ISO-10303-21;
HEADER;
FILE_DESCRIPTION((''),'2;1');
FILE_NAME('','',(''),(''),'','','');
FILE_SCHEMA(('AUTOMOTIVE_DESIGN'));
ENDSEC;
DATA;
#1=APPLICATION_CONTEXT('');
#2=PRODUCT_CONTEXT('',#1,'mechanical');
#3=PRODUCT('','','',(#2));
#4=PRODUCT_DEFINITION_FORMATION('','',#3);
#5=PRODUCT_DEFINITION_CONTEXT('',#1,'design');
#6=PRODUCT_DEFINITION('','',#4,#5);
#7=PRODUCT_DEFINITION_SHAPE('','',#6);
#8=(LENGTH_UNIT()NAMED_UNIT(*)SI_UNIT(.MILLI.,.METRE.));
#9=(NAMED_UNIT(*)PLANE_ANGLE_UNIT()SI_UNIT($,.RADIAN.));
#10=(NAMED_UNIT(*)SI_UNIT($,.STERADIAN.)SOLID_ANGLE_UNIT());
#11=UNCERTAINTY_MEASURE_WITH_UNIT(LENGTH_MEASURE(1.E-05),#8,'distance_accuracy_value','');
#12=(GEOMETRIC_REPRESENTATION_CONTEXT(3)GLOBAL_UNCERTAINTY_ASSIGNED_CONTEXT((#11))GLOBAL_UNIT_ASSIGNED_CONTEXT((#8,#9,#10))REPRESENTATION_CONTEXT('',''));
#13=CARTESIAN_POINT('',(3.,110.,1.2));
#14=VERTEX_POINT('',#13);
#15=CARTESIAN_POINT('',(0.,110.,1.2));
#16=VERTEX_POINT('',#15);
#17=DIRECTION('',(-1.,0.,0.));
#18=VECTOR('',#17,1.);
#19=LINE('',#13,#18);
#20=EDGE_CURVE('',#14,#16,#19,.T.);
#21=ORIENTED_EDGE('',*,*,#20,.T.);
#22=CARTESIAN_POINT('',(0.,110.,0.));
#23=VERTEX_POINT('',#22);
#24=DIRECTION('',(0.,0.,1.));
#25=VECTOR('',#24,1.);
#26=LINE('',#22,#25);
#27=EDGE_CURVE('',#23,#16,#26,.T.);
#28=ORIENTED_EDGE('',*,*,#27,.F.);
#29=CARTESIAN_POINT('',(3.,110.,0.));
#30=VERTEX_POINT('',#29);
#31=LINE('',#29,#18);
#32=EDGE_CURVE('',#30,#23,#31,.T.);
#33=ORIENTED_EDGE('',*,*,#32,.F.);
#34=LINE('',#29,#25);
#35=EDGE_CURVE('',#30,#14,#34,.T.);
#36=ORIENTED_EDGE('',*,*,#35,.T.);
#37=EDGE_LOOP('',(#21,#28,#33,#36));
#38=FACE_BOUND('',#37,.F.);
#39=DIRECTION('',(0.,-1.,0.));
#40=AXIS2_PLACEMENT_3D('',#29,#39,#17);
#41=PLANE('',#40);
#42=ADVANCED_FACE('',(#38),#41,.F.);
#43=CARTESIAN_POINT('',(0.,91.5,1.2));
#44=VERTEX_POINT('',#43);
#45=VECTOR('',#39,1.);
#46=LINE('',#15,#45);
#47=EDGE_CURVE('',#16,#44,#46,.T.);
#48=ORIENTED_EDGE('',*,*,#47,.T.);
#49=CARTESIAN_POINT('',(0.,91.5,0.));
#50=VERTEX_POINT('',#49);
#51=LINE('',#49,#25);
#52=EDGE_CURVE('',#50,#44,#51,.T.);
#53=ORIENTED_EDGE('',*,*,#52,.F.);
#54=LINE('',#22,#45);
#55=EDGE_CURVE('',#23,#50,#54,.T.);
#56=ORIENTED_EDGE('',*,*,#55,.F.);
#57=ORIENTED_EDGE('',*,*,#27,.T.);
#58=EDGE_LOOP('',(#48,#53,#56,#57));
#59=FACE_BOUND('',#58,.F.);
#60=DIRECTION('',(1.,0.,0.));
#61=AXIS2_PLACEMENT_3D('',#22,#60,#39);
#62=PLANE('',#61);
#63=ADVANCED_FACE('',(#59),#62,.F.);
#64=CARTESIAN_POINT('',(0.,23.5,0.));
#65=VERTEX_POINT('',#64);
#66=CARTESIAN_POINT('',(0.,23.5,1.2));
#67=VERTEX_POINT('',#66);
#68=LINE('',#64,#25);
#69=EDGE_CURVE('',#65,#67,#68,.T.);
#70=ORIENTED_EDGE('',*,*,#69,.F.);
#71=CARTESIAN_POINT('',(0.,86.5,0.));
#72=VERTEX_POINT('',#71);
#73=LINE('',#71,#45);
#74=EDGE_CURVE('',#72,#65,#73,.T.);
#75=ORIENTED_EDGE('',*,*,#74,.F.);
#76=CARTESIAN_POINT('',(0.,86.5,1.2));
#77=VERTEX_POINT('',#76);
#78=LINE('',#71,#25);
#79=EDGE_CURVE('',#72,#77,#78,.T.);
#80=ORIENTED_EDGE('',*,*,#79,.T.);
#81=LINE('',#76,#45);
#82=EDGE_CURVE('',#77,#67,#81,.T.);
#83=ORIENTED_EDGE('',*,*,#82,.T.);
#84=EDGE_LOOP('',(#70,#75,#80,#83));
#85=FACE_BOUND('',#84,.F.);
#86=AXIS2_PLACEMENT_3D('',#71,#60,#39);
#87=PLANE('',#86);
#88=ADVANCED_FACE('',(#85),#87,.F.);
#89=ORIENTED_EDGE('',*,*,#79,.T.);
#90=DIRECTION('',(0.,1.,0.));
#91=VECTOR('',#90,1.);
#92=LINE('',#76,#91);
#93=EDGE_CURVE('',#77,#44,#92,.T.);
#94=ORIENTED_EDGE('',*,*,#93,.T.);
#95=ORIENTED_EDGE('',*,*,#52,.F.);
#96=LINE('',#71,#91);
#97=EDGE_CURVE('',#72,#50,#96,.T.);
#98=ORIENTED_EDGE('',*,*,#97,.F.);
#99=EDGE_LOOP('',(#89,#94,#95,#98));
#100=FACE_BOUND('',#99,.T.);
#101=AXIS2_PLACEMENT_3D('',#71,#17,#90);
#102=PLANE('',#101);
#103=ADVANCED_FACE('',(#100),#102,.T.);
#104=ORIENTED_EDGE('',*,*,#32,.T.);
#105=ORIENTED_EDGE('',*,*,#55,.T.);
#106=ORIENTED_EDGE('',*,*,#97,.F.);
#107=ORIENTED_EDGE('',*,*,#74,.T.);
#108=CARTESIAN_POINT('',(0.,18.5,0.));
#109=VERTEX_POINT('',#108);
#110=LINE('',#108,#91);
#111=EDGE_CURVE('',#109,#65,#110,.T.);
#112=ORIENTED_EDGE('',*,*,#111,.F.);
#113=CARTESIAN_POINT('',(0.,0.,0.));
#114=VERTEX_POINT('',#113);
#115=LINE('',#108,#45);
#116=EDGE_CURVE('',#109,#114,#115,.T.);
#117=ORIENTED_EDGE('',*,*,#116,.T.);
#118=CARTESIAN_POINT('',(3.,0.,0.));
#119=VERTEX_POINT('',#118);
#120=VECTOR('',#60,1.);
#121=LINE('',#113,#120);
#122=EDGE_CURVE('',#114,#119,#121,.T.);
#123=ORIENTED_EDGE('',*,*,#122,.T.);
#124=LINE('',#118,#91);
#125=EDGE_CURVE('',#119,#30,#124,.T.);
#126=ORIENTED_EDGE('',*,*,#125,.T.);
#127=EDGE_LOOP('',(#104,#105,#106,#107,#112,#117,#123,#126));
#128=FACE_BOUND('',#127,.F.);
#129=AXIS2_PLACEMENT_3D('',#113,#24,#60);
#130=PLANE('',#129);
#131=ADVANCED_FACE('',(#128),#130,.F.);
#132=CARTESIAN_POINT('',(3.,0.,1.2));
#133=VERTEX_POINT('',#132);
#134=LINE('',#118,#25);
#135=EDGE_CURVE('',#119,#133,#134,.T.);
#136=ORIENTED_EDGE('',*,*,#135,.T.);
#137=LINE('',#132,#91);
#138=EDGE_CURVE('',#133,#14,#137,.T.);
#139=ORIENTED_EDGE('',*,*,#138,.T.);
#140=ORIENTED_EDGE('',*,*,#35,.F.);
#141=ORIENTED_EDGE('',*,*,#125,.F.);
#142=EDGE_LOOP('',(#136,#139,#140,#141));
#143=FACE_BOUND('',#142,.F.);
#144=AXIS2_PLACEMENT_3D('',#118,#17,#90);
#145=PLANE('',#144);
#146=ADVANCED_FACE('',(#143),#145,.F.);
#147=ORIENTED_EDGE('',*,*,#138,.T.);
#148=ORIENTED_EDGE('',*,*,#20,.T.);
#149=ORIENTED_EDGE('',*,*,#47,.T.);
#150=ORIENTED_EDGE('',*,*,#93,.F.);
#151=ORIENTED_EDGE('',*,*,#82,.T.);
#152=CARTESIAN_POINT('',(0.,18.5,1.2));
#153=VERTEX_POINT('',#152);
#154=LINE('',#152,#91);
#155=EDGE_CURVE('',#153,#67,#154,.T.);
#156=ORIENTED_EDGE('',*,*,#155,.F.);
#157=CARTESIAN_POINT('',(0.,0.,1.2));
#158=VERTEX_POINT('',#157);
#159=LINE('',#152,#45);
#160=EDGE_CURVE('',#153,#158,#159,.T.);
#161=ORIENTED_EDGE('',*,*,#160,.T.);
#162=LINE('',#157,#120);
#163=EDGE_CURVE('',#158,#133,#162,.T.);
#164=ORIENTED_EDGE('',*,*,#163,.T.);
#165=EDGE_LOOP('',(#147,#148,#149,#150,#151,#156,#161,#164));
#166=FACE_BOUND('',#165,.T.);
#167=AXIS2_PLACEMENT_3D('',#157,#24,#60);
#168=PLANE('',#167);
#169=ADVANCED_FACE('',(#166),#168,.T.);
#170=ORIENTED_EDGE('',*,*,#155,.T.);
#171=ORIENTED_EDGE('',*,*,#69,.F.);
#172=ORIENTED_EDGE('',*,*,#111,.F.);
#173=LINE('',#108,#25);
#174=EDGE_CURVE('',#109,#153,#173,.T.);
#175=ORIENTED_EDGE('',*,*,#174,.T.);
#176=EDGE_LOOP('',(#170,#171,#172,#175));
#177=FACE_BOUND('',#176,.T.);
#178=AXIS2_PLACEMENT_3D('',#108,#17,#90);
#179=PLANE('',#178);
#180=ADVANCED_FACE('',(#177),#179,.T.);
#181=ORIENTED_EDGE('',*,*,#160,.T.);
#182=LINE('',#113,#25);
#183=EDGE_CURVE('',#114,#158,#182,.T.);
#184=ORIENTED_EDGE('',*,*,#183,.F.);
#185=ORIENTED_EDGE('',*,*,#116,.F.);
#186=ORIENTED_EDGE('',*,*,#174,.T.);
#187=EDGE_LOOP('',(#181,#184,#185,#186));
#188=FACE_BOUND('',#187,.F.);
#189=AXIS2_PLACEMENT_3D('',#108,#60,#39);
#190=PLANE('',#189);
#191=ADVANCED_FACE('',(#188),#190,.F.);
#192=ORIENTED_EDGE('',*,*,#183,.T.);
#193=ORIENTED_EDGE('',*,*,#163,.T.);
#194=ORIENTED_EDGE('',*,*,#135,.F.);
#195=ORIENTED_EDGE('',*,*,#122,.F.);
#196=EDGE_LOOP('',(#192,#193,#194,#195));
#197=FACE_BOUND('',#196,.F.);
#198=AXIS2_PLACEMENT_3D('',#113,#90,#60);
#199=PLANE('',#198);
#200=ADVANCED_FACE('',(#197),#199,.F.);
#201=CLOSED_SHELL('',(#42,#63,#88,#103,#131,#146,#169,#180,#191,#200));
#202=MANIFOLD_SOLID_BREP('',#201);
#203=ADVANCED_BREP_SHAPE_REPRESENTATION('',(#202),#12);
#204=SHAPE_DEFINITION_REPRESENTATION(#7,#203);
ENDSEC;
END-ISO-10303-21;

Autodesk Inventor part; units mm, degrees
ref_plane "YZ Plane" through (0, 0, 0) normal (1, 0, 0) x (0, 1, 0)
ref_plane "XZ Plane" through (0, 0, 0) normal (0, 1, 0) x (-1, 0, 0)
ref_plane "XY Plane" through (0, 0, 0) normal (0, 0, 1) x (1, 0, 0)
sketch "Skizze1" plane through (0, 0, 0) normal (0, 0, 1) x (1, 0, 0)
  line L0 (0, 0) -> (3, 0)
  line L1 (3, 0) -> (3, 110)
  line L2 (3, 110) -> (0, 110)
  line L3 (0, 110) -> (0, 91.5)
  line L4 (0, 86.5) -> (0, 91.5)
  line L5 (0, 18.5) -> (0, 23.5)
  line L6 (0, 23.5) -> (0, 18.5) construction
  line L7 (0, 18.5) -> (0, 0)
  line L8 (0, 86.5) -> (0, 23.5)
  line L9 (0, 91.5) -> (0, 86.5) construction
  dimension "d0" = 3
  dimension "d1" = 110
extrude "Extrusion1" add sketch "Skizze1" along normal blind 1.2
properties part number "bett_V3_detail_deckplatte_scharnier" material "Holz (Walnuss)"
